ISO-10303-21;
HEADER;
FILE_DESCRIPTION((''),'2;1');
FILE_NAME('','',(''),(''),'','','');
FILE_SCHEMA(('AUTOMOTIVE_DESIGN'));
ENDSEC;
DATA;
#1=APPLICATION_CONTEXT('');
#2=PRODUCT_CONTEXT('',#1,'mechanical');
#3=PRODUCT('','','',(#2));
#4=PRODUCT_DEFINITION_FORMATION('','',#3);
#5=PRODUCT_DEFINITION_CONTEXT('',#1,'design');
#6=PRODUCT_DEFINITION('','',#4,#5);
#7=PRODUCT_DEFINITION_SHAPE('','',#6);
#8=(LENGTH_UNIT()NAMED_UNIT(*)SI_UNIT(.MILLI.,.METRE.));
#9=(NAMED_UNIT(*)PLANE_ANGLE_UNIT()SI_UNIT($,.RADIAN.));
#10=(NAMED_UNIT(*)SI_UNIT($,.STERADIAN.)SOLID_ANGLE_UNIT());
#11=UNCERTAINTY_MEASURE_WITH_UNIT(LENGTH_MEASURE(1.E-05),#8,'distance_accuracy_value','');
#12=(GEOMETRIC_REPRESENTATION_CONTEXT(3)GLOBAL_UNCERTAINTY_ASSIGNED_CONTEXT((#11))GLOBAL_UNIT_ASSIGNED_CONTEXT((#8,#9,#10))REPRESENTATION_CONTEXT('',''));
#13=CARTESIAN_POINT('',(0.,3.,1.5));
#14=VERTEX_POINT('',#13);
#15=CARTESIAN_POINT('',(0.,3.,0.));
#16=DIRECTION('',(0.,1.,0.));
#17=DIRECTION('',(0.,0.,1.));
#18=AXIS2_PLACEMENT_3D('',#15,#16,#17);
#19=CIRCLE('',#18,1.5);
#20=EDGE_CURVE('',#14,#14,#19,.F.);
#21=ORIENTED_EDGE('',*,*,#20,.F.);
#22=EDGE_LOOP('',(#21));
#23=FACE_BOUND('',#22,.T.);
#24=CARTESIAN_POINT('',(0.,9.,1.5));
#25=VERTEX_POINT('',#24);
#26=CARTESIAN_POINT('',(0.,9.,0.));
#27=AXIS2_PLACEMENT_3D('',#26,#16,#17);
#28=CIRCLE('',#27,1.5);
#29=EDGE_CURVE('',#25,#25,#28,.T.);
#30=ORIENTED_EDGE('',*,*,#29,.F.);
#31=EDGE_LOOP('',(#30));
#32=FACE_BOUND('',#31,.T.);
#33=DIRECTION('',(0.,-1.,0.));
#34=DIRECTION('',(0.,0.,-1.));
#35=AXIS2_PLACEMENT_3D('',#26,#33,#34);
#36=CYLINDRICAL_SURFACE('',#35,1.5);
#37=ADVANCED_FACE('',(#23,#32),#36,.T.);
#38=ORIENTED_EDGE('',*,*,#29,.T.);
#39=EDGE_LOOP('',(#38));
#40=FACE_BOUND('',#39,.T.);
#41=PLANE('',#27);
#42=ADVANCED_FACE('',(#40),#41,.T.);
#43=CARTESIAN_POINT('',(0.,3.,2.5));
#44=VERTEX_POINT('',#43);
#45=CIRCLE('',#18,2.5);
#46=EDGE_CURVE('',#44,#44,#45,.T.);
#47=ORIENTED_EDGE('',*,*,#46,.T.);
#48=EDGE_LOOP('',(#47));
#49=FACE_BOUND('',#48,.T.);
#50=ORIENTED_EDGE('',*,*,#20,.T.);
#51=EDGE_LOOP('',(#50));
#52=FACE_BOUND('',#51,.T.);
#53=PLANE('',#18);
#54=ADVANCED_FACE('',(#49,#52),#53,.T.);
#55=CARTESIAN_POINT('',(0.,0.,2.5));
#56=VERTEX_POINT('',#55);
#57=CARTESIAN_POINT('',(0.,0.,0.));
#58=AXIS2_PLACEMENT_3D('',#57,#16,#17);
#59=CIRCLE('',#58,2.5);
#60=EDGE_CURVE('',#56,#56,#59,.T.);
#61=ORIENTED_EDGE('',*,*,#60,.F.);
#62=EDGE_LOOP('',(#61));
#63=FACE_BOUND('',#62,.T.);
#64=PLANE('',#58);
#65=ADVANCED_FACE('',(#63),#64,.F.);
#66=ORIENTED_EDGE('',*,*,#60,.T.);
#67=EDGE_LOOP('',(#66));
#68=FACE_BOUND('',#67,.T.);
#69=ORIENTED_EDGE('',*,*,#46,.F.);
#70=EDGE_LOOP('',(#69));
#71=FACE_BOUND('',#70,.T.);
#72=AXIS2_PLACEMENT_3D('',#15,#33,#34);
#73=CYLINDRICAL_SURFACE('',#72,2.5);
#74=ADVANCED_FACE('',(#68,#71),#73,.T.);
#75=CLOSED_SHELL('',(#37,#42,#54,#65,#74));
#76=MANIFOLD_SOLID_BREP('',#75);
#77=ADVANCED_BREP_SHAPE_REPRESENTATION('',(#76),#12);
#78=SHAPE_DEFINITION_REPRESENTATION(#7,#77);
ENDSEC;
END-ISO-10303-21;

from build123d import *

# Parameters (mm, degrees)
SKETCH1_R           = 2.5
BOSS_EXTRUDE1_DEPTH = 3
SKETCH1_3_R         = 1.5
BOSS_EXTRUDE2_DEPTH = 9


with BuildPart() as part:
    # Sketch1 → Boss-Extrude1 (new body)
    with BuildSketch(Plane(origin=(0, 0, 0), x_dir=(1, 0, 0), z_dir=(0, 1, 0))):
        Circle(SKETCH1_R)
    extrude(amount=BOSS_EXTRUDE1_DEPTH)

    # Sketch1<3> → Boss-Extrude2 (add)
    with BuildSketch(Plane(origin=(0, 0, 0), x_dir=(1, 0, 0), z_dir=(0, 1, 0))):
        Circle(SKETCH1_3_R)
    extrude(amount=BOSS_EXTRUDE2_DEPTH)


solid = part.part
